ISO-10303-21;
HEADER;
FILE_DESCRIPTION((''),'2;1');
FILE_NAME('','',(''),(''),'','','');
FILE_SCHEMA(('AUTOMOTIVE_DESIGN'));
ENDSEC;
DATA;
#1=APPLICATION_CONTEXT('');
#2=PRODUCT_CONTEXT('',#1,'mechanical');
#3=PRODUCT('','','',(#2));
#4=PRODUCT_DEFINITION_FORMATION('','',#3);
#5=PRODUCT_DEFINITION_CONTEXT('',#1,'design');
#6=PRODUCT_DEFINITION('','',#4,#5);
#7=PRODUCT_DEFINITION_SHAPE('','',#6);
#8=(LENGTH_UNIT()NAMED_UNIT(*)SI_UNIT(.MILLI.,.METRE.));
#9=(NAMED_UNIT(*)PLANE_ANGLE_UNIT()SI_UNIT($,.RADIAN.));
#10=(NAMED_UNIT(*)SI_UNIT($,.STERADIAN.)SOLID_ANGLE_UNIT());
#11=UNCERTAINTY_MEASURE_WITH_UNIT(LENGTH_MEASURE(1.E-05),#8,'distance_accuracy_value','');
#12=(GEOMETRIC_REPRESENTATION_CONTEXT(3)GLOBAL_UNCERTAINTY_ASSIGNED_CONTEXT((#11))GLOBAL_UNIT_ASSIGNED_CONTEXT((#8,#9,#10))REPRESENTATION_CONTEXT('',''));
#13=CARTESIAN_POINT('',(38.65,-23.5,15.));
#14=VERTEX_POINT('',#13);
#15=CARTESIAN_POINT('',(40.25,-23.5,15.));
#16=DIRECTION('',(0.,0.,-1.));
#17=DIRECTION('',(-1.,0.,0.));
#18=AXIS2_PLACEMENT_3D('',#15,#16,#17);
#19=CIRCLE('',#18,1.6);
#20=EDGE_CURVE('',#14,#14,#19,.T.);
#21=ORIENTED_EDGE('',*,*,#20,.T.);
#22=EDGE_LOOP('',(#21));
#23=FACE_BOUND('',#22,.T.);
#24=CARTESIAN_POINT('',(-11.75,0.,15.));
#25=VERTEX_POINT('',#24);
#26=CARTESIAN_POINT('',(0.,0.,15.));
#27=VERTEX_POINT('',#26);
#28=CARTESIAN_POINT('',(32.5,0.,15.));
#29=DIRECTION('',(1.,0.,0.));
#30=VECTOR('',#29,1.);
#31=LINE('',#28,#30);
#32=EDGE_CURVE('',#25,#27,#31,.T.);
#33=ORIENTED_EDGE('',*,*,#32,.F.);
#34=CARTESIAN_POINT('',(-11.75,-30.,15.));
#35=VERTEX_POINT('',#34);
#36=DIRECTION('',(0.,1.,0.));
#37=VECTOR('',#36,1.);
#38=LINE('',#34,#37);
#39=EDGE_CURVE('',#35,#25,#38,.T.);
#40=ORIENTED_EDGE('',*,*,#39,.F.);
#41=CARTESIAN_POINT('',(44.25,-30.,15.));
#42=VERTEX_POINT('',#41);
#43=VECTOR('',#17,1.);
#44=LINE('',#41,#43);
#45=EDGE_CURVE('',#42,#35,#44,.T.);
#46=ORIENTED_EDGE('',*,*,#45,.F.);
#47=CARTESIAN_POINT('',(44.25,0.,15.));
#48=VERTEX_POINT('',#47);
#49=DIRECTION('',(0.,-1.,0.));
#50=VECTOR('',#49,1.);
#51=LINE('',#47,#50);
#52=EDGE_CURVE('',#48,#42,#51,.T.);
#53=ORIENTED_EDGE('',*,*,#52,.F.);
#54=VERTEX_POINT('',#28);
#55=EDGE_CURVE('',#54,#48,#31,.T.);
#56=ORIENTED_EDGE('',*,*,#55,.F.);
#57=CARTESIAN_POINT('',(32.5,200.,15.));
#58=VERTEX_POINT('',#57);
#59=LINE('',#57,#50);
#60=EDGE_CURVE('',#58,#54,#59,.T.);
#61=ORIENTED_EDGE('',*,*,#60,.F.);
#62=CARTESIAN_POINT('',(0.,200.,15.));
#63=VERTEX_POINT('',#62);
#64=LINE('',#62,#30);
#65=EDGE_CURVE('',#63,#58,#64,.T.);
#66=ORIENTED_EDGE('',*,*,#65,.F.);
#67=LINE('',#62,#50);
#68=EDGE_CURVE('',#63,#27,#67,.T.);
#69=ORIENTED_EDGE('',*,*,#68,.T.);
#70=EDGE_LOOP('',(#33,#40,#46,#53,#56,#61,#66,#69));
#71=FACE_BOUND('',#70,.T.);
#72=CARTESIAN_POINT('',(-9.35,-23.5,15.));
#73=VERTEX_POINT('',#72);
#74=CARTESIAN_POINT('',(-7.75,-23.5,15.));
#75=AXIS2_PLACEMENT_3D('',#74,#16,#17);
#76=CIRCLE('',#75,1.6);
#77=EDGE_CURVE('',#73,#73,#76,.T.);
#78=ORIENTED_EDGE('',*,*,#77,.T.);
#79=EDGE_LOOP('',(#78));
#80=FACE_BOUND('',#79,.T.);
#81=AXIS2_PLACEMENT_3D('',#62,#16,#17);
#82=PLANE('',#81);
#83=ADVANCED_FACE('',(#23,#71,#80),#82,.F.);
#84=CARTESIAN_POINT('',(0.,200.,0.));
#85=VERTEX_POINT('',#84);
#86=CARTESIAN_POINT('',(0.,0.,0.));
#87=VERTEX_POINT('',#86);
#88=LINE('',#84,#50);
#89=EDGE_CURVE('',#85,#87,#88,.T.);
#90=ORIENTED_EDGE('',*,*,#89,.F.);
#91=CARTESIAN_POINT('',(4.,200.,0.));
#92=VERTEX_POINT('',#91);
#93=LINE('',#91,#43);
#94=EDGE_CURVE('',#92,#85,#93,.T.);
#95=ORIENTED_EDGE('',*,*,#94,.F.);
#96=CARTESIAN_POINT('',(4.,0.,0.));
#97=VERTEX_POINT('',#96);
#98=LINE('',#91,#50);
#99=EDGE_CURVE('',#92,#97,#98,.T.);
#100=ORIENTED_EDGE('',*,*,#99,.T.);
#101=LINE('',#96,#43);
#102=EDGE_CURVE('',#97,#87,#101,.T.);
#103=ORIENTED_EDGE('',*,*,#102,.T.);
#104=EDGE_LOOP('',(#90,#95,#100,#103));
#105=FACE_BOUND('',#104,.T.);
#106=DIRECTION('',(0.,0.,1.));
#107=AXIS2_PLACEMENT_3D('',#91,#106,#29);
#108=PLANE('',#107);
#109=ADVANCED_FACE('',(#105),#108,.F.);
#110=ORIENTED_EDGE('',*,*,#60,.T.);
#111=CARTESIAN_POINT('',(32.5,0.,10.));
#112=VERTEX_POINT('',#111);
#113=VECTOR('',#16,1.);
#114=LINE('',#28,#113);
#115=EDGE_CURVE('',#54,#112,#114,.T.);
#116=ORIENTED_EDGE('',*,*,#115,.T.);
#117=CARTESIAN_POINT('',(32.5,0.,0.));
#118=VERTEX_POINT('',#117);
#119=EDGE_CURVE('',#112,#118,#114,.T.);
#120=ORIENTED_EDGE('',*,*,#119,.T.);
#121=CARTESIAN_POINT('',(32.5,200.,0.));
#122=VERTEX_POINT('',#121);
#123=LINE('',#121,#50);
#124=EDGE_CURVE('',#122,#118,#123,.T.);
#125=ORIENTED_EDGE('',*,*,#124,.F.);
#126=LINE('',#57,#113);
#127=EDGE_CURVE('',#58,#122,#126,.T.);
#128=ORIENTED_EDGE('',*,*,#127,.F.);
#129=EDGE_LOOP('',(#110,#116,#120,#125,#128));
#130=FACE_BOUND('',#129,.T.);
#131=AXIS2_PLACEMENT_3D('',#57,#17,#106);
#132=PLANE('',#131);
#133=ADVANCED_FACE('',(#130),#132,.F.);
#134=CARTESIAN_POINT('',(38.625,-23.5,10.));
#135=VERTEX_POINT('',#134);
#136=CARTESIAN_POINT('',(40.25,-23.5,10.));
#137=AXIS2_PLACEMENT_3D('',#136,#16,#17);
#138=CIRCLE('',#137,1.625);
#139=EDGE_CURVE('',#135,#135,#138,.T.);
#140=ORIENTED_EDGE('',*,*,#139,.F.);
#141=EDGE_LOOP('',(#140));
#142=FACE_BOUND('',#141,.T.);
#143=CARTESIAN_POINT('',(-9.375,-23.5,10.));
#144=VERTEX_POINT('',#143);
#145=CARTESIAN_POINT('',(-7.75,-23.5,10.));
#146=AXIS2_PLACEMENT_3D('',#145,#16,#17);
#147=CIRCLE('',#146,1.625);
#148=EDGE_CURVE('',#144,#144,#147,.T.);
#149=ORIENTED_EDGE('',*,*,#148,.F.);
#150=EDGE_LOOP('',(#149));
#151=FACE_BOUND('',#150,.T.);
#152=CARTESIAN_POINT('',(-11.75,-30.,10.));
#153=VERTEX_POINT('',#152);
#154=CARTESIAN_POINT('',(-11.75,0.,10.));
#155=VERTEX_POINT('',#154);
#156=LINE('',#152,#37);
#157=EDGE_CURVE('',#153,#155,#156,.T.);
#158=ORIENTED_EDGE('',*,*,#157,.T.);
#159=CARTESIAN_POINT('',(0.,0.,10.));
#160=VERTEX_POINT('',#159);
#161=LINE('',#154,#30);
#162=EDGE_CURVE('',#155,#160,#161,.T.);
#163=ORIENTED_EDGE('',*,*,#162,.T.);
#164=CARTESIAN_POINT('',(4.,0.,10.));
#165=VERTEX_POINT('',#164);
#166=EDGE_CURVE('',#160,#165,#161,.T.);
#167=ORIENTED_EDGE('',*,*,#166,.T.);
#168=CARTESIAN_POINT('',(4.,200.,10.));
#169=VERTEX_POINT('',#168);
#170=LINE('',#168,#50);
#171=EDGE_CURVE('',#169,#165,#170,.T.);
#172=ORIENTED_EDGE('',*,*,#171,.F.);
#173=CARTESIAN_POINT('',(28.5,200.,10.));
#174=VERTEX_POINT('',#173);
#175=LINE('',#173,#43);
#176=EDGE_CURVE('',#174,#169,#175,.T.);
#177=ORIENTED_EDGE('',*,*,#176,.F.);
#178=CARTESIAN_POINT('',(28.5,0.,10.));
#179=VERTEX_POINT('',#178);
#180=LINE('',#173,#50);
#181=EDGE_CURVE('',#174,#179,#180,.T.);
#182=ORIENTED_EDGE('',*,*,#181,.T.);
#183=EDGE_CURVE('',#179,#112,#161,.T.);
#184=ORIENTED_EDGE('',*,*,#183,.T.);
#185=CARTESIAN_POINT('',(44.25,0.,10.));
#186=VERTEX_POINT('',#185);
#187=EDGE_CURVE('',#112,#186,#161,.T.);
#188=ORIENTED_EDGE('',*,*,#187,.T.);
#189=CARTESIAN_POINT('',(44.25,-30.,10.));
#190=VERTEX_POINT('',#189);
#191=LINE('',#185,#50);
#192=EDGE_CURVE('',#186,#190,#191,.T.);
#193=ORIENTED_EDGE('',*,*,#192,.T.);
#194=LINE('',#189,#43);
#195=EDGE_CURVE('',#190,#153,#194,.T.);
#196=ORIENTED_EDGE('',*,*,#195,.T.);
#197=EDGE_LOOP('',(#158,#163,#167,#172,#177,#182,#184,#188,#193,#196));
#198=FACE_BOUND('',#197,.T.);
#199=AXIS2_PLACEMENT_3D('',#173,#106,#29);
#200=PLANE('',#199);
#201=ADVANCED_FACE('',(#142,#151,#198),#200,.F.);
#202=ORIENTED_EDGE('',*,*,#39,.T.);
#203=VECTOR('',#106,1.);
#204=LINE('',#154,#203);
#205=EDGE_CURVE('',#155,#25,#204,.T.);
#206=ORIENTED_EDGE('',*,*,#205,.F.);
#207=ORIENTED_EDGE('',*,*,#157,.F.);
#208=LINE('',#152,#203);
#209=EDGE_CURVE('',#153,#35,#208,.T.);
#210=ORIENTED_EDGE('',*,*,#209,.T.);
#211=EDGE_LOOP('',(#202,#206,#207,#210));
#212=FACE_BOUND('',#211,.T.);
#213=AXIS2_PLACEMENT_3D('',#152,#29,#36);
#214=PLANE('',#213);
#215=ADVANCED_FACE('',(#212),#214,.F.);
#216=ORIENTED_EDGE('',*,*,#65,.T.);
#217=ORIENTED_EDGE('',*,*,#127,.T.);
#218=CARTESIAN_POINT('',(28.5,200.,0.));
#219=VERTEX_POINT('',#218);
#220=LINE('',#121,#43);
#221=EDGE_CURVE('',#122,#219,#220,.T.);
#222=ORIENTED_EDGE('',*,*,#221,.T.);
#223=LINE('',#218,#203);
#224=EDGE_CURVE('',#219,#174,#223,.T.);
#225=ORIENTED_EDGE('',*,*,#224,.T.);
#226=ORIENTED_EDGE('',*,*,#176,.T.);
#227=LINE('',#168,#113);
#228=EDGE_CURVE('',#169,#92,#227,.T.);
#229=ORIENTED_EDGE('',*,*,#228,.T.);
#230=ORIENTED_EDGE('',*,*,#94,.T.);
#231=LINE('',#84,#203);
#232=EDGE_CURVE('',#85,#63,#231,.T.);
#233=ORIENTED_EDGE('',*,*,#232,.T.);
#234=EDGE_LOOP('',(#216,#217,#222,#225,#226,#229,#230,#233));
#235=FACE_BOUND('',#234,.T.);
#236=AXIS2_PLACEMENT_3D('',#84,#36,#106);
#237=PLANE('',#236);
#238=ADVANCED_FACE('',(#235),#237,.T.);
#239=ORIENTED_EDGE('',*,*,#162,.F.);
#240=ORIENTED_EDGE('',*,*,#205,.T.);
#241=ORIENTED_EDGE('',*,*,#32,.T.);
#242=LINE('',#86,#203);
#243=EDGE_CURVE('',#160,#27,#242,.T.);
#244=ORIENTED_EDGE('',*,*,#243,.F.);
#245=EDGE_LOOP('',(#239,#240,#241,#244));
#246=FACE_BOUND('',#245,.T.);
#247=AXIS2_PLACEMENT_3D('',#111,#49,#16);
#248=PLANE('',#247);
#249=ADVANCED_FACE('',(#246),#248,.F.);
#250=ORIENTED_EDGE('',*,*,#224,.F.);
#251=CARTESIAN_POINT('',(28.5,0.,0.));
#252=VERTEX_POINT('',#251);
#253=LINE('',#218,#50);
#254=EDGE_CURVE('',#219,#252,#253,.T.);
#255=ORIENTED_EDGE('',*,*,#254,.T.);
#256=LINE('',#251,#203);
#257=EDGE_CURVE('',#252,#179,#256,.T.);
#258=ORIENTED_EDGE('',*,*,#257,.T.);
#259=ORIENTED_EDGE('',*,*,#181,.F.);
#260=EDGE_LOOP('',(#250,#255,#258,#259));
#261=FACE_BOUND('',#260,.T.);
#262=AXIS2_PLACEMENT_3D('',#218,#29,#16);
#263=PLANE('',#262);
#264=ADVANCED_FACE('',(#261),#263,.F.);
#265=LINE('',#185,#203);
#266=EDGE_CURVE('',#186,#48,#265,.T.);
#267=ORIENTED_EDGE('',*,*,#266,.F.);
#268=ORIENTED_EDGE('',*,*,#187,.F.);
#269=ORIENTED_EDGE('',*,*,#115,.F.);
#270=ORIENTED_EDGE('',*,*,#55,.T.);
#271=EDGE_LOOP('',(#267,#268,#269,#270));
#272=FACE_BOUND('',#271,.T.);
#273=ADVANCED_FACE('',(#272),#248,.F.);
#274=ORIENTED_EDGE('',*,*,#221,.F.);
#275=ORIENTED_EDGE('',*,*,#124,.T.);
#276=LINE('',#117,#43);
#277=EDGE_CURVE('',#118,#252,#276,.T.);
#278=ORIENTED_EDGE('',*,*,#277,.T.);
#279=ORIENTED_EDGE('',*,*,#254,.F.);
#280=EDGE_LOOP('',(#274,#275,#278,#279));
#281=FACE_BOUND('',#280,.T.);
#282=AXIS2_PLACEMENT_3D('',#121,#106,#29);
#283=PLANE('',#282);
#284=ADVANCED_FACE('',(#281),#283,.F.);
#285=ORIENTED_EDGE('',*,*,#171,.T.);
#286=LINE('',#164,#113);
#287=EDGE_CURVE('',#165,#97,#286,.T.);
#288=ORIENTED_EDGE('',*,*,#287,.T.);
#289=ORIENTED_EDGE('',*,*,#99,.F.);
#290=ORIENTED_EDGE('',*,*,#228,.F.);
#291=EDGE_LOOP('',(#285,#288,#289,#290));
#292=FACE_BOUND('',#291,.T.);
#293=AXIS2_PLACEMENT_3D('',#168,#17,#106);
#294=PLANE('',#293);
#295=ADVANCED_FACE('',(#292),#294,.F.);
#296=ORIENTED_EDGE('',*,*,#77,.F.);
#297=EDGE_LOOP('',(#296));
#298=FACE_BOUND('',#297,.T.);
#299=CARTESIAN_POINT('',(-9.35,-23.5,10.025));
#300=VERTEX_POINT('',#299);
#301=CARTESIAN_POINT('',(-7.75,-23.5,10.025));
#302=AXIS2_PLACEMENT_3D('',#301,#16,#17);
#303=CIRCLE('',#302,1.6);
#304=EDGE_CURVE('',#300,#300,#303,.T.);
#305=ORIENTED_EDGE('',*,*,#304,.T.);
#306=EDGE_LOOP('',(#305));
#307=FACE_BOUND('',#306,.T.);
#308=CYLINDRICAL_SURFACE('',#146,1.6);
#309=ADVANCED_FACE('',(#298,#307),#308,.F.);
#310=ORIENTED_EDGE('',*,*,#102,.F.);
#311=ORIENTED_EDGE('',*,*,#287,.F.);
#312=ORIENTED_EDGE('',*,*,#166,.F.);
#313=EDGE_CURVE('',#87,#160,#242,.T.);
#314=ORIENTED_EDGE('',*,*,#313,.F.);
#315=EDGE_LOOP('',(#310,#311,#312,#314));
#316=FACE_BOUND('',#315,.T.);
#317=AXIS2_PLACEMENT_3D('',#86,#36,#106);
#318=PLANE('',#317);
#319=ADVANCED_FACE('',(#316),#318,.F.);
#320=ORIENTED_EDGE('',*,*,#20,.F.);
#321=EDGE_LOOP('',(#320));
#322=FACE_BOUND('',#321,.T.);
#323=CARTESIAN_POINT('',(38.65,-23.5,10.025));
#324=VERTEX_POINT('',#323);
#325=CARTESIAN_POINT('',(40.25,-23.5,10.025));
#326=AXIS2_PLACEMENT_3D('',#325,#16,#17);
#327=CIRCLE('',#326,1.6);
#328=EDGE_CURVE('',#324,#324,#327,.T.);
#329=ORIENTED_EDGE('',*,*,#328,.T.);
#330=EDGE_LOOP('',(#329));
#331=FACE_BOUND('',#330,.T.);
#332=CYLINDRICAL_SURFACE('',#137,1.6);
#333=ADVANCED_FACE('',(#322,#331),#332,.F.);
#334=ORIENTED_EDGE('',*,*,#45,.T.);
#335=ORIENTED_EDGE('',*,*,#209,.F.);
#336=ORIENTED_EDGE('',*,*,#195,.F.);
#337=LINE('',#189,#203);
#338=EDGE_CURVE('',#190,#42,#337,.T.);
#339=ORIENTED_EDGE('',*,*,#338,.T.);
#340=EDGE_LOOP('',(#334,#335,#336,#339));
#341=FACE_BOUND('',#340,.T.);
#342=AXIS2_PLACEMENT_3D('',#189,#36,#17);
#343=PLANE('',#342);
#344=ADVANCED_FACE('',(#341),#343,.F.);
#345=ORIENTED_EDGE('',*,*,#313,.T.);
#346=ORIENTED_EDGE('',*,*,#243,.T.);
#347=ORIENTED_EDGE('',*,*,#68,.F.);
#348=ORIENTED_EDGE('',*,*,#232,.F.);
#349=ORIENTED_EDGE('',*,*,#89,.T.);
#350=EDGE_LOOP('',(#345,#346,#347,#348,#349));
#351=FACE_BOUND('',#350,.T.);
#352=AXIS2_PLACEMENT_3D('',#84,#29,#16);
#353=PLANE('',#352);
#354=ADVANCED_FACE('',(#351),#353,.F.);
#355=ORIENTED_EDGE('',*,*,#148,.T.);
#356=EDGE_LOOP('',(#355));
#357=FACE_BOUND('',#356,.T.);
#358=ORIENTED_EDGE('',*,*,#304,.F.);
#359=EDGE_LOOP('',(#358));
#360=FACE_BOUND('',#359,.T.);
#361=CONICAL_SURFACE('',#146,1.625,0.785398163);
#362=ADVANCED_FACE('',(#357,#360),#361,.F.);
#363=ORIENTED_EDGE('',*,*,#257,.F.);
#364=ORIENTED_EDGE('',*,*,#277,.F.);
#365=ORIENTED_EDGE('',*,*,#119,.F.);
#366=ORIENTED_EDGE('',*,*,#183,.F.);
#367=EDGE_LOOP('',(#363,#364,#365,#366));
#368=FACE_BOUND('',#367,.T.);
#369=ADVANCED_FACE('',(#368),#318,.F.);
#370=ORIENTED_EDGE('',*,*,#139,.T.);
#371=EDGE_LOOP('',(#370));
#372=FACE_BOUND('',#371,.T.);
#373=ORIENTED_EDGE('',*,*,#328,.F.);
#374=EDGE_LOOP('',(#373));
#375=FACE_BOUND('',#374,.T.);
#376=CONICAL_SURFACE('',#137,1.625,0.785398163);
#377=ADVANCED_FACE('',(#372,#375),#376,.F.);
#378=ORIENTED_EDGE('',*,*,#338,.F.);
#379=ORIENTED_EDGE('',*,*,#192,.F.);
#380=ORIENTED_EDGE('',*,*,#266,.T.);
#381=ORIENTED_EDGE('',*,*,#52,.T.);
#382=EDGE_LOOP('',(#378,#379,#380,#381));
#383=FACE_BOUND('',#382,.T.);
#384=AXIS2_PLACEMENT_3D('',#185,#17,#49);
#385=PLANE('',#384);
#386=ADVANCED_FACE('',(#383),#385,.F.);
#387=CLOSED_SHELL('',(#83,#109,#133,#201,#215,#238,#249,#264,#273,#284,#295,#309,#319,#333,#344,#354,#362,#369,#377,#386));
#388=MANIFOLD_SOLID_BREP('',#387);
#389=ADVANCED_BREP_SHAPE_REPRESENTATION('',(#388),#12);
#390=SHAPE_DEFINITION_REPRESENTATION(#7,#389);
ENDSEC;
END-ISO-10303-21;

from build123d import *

# Parameters (mm, degrees)
BOSS_EXTRUDE1_DEPTH            = 200
BOSS_EXTRUDE2_DEPTH            = 5
M3_CLEARANCE_HOLE1_D           = 3.2
M3_CLEARANCE_HOLE1_CSINK_D     = 3.25
M3_CLEARANCE_HOLE1_CSINK_ANGLE = 90


with BuildPart() as part:
    # Sketch1 → Boss-Extrude1 (new body)
    with BuildSketch(Plane(origin=(0, 0, 0), x_dir=(1, 0, 0), z_dir=(0, 1, 0))):
        Polygon((0, 0), (0, -15), (32.5, -15), (32.5, 0), (28.5, 0), (28.5, -10), (4, -10), (4, 0), align=None)
    extrude(amount=BOSS_EXTRUDE1_DEPTH)

    # Sketch2 → Boss-Extrude2 (add)
    with BuildSketch(Plane.XY.offset(15)):
        Polygon((32.5, 0), (44.25, 0), (44.25, -30), (-11.75, -30), (-11.75, 0), (0, 0), align=None)
    extrude(amount=-BOSS_EXTRUDE2_DEPTH)

    # M3 Clearance Hole1 (through all)
    with Locations(Plane(origin=(0, 0, 10), x_dir=(-1, 0, 0), z_dir=(0, 0, -1))):
        with Locations((7.75, -23.5), (-40.25, -23.5)):
            CounterSinkHole(M3_CLEARANCE_HOLE1_D / 2, M3_CLEARANCE_HOLE1_CSINK_D / 2, counter_sink_angle=M3_CLEARANCE_HOLE1_CSINK_ANGLE)


solid = part.part
